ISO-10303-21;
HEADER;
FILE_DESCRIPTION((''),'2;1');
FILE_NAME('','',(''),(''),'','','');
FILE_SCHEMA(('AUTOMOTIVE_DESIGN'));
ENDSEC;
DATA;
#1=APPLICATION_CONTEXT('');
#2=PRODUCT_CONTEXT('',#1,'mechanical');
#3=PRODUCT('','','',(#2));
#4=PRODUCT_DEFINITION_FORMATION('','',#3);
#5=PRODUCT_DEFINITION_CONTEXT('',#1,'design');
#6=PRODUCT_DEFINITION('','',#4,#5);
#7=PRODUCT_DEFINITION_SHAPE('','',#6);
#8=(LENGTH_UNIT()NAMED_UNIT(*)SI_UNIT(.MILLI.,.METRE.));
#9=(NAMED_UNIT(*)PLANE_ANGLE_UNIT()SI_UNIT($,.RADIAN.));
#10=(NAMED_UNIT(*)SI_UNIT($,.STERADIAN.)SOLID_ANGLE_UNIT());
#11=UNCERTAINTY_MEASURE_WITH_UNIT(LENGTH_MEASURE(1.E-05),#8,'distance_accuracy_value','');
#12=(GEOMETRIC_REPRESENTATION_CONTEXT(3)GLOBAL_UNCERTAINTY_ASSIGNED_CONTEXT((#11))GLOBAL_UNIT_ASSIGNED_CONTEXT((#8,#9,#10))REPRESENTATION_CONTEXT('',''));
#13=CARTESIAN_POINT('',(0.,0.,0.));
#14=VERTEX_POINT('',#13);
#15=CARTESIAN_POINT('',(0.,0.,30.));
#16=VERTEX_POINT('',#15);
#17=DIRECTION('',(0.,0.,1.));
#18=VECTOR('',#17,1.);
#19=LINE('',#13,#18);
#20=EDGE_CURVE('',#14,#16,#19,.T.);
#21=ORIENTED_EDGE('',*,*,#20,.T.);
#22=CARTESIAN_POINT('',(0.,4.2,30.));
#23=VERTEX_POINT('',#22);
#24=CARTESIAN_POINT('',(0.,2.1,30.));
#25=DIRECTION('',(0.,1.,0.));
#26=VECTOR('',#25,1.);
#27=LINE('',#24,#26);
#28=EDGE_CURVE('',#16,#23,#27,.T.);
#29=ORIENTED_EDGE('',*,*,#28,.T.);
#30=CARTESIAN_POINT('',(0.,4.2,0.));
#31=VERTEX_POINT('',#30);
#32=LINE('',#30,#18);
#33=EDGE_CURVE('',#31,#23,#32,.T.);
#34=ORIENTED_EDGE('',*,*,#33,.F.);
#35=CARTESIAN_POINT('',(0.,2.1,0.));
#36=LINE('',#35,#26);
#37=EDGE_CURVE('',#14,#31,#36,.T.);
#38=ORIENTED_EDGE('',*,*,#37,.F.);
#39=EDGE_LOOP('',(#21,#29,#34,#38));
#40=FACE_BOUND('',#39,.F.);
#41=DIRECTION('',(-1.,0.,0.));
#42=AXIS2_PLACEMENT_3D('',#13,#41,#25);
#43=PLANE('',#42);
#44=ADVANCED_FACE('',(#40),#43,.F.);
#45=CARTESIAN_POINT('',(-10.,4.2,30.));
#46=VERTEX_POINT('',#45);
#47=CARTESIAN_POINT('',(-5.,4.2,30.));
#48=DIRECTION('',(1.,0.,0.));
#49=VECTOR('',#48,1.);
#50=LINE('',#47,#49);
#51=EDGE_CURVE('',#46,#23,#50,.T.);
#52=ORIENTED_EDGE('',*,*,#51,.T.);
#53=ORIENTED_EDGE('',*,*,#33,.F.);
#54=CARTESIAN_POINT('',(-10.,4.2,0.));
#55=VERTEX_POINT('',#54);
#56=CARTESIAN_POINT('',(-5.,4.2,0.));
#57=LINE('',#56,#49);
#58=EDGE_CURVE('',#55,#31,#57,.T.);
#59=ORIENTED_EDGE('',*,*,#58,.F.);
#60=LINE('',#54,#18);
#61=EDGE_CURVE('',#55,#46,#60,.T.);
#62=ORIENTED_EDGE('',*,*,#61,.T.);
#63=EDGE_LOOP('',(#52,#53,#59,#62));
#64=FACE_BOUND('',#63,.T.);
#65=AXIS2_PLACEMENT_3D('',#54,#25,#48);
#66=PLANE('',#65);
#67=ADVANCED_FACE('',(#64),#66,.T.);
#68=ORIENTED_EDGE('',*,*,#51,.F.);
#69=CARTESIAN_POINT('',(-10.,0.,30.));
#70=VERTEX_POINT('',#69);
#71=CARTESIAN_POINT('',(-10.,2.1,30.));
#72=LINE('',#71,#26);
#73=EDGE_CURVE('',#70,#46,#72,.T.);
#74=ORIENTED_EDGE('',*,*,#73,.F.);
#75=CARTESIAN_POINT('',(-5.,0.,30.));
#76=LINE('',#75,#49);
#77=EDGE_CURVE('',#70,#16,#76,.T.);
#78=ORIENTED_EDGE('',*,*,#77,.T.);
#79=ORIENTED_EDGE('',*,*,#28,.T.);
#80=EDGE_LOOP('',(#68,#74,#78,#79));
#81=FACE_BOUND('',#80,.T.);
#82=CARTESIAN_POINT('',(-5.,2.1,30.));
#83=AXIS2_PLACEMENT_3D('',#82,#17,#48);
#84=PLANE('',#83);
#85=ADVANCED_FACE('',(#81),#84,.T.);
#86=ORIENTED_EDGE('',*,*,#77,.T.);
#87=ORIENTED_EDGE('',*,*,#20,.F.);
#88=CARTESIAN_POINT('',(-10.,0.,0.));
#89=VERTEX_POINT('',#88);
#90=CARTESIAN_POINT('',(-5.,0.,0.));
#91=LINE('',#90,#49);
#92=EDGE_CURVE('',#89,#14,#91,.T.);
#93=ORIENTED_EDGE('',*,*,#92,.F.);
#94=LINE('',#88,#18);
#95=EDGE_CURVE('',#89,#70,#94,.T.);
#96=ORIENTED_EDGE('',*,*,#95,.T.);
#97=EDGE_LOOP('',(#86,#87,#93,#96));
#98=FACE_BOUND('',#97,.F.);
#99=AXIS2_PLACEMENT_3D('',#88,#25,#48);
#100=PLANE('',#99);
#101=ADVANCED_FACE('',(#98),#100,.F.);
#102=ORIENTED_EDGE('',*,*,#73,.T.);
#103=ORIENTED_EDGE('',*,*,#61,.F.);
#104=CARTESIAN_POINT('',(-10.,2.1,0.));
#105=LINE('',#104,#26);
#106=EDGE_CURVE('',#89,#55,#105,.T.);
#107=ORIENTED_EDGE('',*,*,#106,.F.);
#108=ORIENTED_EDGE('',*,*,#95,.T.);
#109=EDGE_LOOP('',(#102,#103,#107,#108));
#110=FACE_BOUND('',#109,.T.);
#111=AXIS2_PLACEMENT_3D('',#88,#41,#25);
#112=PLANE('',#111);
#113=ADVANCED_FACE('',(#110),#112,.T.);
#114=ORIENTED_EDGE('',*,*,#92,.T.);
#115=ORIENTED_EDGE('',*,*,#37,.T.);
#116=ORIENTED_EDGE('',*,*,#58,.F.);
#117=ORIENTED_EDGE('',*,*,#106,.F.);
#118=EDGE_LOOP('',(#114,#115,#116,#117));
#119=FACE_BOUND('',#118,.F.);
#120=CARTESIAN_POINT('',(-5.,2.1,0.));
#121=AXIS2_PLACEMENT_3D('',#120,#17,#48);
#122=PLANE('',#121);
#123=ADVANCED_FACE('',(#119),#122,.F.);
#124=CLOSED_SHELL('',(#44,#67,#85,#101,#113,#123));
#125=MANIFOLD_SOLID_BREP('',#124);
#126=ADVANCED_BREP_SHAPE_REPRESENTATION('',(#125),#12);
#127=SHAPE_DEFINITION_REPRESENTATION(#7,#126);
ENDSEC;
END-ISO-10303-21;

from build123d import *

# Parameters (mm, degrees)
SKETCH_W  = 10
SKETCH_H  = 4.2
PAD_DEPTH = 30


with BuildPart() as part:
    # Sketch → Pad (new body)
    with BuildSketch(Plane.XY):
        with Locations((-5, 2.1)):
            Rectangle(SKETCH_W, SKETCH_H)
    extrude(amount=PAD_DEPTH)


solid = part.part
